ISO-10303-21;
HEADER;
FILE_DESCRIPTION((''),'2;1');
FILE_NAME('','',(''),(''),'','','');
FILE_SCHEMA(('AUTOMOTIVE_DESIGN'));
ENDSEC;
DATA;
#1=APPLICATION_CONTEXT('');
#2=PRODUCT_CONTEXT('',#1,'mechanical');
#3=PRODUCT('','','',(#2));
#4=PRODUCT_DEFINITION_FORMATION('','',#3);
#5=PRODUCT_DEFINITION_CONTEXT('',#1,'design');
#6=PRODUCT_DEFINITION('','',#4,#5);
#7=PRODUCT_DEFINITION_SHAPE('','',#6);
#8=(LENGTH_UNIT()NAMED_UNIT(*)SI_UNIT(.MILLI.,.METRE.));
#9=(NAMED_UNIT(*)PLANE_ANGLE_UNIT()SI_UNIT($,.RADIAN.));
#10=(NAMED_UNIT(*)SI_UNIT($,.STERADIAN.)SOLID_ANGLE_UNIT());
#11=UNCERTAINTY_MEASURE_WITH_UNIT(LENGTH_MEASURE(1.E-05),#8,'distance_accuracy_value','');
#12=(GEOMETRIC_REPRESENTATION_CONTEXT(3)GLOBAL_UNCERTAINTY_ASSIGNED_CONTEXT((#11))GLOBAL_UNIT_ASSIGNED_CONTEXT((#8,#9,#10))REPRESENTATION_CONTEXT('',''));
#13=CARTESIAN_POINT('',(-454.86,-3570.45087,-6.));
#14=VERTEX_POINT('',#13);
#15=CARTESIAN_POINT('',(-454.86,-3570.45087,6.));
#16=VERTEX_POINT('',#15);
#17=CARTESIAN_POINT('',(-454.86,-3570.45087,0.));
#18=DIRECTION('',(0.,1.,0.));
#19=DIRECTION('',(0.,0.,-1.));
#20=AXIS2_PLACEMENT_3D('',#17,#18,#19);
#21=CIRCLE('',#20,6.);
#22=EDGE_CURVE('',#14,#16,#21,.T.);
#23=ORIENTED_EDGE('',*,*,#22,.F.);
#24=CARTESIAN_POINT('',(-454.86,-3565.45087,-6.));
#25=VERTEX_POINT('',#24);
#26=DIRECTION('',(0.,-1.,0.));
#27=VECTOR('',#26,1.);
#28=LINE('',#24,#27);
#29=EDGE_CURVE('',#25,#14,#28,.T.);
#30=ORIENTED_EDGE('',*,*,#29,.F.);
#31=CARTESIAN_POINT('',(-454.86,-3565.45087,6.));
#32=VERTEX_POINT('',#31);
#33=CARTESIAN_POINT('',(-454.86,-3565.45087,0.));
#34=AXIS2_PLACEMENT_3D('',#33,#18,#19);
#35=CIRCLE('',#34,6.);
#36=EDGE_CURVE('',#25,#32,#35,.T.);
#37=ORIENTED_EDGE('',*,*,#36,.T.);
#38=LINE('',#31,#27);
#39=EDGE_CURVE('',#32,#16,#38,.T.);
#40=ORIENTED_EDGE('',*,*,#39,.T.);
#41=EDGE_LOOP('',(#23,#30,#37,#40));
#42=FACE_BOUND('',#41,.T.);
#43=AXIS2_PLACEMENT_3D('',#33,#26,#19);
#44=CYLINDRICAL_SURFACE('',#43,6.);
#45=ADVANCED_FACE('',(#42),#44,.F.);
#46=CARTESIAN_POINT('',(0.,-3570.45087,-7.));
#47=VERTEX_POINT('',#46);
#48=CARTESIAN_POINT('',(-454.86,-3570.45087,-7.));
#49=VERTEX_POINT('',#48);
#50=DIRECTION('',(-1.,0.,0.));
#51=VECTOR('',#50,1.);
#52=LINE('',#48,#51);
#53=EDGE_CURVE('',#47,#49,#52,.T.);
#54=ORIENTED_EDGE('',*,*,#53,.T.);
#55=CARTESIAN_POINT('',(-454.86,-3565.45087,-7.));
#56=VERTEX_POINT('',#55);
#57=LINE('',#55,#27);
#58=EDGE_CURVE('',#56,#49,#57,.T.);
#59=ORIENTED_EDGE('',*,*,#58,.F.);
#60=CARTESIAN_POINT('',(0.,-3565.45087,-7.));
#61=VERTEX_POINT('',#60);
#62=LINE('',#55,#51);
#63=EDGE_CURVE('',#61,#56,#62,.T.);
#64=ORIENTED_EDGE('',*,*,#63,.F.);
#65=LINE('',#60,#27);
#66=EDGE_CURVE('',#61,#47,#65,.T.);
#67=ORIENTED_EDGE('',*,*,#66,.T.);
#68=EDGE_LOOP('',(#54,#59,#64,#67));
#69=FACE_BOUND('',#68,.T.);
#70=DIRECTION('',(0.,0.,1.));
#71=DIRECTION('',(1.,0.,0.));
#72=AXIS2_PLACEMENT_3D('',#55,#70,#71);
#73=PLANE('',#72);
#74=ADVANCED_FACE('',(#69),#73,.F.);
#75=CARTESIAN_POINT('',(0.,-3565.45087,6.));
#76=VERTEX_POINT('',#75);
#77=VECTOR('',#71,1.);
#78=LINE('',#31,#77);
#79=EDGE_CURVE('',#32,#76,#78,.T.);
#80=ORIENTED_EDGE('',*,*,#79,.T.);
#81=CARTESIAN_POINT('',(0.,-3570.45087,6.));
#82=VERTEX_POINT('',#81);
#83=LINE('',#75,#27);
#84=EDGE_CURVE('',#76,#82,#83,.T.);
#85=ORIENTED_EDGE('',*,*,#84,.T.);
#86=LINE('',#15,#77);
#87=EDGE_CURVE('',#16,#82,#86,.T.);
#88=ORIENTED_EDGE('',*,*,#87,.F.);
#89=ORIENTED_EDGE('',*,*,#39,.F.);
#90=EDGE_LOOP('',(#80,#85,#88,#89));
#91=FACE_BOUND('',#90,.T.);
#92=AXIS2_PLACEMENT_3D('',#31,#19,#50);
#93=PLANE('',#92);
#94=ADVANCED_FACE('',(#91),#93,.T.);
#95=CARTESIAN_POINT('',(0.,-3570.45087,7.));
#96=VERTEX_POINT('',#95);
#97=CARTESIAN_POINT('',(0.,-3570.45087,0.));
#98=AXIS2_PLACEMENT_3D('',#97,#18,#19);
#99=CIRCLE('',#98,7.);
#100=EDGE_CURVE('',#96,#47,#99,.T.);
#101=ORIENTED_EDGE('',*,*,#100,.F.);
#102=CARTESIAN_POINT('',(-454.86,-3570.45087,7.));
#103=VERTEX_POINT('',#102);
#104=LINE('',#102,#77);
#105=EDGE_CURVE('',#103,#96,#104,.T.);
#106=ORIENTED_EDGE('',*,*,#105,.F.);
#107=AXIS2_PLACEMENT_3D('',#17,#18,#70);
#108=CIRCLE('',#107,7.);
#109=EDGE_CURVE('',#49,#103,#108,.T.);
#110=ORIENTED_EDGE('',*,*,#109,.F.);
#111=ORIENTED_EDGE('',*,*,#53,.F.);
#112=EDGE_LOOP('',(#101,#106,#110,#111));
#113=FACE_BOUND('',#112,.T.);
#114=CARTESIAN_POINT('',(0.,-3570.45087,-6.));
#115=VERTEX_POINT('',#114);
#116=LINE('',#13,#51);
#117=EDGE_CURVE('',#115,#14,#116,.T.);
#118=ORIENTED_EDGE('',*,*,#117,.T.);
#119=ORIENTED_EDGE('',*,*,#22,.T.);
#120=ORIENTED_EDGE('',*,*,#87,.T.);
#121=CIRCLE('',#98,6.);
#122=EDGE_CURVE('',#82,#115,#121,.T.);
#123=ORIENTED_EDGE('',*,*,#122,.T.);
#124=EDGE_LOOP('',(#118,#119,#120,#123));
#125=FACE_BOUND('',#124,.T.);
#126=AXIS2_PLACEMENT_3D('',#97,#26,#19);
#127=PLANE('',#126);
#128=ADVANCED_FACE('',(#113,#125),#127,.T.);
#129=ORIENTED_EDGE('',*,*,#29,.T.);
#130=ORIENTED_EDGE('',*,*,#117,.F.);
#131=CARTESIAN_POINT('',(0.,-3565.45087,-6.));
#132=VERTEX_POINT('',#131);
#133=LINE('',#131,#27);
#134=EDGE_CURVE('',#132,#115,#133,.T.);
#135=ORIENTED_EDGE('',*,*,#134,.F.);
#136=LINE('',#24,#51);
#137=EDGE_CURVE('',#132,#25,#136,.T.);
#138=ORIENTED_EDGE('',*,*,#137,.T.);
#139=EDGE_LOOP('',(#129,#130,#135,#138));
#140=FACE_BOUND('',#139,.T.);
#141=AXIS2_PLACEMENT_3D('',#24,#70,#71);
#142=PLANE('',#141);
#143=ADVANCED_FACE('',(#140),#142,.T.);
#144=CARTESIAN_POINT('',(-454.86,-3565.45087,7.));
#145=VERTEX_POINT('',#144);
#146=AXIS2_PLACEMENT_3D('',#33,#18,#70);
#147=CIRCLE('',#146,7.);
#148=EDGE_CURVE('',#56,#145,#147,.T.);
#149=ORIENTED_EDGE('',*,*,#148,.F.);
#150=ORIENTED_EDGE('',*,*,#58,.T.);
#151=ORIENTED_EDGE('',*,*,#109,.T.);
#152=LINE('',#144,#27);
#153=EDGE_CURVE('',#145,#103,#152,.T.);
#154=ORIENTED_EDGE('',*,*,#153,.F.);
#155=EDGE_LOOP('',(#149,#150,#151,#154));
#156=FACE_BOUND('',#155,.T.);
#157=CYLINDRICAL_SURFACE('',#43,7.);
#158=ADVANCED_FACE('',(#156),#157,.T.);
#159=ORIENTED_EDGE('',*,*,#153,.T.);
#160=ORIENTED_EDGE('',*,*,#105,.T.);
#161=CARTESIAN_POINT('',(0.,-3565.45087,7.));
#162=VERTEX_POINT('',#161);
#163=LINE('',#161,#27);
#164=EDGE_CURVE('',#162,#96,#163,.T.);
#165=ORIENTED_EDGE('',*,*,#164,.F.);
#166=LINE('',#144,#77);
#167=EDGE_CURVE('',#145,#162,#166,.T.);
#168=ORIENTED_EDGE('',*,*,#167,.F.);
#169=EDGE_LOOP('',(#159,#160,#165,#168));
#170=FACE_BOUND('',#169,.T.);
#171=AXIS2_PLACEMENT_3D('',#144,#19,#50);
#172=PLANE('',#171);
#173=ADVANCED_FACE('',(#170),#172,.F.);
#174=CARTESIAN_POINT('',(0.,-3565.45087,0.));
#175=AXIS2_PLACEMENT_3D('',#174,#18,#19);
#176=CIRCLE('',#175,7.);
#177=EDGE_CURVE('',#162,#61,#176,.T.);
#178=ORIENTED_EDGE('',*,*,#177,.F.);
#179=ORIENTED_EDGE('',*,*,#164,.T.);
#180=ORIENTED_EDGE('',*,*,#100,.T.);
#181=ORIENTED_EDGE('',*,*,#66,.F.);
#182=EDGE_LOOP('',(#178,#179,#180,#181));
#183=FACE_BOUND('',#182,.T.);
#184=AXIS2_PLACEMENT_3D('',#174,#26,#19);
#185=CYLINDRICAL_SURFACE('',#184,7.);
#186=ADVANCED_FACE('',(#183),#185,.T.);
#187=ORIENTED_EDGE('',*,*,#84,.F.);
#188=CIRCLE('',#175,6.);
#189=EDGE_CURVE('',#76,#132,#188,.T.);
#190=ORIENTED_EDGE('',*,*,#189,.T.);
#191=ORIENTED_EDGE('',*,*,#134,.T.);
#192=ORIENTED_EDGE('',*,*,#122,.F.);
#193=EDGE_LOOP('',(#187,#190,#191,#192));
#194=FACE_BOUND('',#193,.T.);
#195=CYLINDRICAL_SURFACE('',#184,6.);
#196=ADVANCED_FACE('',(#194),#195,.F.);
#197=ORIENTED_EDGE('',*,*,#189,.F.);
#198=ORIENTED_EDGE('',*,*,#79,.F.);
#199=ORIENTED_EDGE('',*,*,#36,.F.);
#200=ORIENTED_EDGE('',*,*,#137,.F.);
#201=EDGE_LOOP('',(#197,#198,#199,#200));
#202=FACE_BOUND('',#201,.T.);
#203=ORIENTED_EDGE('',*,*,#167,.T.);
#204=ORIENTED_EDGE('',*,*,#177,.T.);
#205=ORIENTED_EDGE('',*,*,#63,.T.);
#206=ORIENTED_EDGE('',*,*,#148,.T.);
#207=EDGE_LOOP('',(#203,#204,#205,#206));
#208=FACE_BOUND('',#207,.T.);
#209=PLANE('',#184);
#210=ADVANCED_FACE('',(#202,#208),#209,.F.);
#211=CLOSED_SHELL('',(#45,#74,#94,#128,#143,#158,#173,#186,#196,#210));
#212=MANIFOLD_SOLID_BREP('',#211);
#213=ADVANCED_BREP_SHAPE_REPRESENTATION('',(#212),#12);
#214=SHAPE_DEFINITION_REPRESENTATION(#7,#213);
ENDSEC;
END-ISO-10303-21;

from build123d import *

# Parameters (mm, degrees)
BOSS_EXTRU_1_DEPTH = 5


with BuildPart() as part:
    # Esquisse1 → Boss.-Extru.1 (new body)
    with BuildSketch(Plane(origin=(0, -3570.450869545, 0), x_dir=(1, 0, 0), z_dir=(0, 1, 0))):
        with BuildLine():
            Line((-454.86, -7), (0, -7))
            ThreePointArc((0, -7), (7, 0), (0, 7))
            Line((0, 7), (-454.86, 7))
            ThreePointArc((-454.86, 7), (-461.86, 0), (-454.86, -7))
        make_face()
        with BuildLine():
            Line((-454.86, -6), (0, -6))
            ThreePointArc((0, -6), (6, 0), (0, 6))
            Line((0, 6), (-454.86, 6))
            ThreePointArc((-454.86, 6), (-460.86, 0), (-454.86, -6))
        make_face(mode=Mode.SUBTRACT)
    extrude(amount=BOSS_EXTRU_1_DEPTH)


solid = part.part
